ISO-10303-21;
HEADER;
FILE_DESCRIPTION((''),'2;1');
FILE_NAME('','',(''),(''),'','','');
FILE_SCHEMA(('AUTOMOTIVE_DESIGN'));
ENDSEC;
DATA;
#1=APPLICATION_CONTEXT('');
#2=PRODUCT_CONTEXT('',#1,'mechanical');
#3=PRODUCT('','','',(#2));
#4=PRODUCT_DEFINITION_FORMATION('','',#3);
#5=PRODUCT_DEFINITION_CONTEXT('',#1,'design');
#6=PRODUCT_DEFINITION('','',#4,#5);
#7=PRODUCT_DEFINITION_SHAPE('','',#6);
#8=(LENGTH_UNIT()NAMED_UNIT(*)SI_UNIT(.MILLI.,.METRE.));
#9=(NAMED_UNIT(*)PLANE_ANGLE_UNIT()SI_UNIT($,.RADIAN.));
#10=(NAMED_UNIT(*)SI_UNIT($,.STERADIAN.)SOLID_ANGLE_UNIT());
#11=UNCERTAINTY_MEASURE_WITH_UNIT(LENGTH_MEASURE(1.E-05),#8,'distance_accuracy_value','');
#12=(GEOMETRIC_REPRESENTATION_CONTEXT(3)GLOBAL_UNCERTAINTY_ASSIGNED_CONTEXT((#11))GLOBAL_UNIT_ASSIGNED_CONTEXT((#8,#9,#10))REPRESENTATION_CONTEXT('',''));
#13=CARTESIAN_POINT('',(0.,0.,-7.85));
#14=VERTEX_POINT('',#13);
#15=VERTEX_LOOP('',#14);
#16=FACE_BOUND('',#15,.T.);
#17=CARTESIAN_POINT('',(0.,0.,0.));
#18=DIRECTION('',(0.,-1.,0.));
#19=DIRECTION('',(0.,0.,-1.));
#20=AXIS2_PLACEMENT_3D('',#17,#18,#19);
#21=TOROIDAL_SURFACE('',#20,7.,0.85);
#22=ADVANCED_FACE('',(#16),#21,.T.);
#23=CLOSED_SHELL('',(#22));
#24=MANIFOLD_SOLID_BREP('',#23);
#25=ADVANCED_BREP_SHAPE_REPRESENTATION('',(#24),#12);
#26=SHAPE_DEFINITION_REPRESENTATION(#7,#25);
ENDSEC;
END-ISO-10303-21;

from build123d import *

# Parameters (mm, degrees)
SKETCH1_R = 0.85


with BuildPart() as part:
    # Sketch1 → Revolve1 (revolve)
    with BuildSketch(Plane.XY, mode=Mode.PRIVATE) as revolve1_sk:
        with Locations((-7, 0)):
            Circle(SKETCH1_R)
    revolve(revolve1_sk.sketch.rotate(Axis((0, -3.97209602, 0), (0, 1, 0)), 270), axis=Axis((0, -3.97209602, 0), (0, 1, 0)))


solid = part.part
